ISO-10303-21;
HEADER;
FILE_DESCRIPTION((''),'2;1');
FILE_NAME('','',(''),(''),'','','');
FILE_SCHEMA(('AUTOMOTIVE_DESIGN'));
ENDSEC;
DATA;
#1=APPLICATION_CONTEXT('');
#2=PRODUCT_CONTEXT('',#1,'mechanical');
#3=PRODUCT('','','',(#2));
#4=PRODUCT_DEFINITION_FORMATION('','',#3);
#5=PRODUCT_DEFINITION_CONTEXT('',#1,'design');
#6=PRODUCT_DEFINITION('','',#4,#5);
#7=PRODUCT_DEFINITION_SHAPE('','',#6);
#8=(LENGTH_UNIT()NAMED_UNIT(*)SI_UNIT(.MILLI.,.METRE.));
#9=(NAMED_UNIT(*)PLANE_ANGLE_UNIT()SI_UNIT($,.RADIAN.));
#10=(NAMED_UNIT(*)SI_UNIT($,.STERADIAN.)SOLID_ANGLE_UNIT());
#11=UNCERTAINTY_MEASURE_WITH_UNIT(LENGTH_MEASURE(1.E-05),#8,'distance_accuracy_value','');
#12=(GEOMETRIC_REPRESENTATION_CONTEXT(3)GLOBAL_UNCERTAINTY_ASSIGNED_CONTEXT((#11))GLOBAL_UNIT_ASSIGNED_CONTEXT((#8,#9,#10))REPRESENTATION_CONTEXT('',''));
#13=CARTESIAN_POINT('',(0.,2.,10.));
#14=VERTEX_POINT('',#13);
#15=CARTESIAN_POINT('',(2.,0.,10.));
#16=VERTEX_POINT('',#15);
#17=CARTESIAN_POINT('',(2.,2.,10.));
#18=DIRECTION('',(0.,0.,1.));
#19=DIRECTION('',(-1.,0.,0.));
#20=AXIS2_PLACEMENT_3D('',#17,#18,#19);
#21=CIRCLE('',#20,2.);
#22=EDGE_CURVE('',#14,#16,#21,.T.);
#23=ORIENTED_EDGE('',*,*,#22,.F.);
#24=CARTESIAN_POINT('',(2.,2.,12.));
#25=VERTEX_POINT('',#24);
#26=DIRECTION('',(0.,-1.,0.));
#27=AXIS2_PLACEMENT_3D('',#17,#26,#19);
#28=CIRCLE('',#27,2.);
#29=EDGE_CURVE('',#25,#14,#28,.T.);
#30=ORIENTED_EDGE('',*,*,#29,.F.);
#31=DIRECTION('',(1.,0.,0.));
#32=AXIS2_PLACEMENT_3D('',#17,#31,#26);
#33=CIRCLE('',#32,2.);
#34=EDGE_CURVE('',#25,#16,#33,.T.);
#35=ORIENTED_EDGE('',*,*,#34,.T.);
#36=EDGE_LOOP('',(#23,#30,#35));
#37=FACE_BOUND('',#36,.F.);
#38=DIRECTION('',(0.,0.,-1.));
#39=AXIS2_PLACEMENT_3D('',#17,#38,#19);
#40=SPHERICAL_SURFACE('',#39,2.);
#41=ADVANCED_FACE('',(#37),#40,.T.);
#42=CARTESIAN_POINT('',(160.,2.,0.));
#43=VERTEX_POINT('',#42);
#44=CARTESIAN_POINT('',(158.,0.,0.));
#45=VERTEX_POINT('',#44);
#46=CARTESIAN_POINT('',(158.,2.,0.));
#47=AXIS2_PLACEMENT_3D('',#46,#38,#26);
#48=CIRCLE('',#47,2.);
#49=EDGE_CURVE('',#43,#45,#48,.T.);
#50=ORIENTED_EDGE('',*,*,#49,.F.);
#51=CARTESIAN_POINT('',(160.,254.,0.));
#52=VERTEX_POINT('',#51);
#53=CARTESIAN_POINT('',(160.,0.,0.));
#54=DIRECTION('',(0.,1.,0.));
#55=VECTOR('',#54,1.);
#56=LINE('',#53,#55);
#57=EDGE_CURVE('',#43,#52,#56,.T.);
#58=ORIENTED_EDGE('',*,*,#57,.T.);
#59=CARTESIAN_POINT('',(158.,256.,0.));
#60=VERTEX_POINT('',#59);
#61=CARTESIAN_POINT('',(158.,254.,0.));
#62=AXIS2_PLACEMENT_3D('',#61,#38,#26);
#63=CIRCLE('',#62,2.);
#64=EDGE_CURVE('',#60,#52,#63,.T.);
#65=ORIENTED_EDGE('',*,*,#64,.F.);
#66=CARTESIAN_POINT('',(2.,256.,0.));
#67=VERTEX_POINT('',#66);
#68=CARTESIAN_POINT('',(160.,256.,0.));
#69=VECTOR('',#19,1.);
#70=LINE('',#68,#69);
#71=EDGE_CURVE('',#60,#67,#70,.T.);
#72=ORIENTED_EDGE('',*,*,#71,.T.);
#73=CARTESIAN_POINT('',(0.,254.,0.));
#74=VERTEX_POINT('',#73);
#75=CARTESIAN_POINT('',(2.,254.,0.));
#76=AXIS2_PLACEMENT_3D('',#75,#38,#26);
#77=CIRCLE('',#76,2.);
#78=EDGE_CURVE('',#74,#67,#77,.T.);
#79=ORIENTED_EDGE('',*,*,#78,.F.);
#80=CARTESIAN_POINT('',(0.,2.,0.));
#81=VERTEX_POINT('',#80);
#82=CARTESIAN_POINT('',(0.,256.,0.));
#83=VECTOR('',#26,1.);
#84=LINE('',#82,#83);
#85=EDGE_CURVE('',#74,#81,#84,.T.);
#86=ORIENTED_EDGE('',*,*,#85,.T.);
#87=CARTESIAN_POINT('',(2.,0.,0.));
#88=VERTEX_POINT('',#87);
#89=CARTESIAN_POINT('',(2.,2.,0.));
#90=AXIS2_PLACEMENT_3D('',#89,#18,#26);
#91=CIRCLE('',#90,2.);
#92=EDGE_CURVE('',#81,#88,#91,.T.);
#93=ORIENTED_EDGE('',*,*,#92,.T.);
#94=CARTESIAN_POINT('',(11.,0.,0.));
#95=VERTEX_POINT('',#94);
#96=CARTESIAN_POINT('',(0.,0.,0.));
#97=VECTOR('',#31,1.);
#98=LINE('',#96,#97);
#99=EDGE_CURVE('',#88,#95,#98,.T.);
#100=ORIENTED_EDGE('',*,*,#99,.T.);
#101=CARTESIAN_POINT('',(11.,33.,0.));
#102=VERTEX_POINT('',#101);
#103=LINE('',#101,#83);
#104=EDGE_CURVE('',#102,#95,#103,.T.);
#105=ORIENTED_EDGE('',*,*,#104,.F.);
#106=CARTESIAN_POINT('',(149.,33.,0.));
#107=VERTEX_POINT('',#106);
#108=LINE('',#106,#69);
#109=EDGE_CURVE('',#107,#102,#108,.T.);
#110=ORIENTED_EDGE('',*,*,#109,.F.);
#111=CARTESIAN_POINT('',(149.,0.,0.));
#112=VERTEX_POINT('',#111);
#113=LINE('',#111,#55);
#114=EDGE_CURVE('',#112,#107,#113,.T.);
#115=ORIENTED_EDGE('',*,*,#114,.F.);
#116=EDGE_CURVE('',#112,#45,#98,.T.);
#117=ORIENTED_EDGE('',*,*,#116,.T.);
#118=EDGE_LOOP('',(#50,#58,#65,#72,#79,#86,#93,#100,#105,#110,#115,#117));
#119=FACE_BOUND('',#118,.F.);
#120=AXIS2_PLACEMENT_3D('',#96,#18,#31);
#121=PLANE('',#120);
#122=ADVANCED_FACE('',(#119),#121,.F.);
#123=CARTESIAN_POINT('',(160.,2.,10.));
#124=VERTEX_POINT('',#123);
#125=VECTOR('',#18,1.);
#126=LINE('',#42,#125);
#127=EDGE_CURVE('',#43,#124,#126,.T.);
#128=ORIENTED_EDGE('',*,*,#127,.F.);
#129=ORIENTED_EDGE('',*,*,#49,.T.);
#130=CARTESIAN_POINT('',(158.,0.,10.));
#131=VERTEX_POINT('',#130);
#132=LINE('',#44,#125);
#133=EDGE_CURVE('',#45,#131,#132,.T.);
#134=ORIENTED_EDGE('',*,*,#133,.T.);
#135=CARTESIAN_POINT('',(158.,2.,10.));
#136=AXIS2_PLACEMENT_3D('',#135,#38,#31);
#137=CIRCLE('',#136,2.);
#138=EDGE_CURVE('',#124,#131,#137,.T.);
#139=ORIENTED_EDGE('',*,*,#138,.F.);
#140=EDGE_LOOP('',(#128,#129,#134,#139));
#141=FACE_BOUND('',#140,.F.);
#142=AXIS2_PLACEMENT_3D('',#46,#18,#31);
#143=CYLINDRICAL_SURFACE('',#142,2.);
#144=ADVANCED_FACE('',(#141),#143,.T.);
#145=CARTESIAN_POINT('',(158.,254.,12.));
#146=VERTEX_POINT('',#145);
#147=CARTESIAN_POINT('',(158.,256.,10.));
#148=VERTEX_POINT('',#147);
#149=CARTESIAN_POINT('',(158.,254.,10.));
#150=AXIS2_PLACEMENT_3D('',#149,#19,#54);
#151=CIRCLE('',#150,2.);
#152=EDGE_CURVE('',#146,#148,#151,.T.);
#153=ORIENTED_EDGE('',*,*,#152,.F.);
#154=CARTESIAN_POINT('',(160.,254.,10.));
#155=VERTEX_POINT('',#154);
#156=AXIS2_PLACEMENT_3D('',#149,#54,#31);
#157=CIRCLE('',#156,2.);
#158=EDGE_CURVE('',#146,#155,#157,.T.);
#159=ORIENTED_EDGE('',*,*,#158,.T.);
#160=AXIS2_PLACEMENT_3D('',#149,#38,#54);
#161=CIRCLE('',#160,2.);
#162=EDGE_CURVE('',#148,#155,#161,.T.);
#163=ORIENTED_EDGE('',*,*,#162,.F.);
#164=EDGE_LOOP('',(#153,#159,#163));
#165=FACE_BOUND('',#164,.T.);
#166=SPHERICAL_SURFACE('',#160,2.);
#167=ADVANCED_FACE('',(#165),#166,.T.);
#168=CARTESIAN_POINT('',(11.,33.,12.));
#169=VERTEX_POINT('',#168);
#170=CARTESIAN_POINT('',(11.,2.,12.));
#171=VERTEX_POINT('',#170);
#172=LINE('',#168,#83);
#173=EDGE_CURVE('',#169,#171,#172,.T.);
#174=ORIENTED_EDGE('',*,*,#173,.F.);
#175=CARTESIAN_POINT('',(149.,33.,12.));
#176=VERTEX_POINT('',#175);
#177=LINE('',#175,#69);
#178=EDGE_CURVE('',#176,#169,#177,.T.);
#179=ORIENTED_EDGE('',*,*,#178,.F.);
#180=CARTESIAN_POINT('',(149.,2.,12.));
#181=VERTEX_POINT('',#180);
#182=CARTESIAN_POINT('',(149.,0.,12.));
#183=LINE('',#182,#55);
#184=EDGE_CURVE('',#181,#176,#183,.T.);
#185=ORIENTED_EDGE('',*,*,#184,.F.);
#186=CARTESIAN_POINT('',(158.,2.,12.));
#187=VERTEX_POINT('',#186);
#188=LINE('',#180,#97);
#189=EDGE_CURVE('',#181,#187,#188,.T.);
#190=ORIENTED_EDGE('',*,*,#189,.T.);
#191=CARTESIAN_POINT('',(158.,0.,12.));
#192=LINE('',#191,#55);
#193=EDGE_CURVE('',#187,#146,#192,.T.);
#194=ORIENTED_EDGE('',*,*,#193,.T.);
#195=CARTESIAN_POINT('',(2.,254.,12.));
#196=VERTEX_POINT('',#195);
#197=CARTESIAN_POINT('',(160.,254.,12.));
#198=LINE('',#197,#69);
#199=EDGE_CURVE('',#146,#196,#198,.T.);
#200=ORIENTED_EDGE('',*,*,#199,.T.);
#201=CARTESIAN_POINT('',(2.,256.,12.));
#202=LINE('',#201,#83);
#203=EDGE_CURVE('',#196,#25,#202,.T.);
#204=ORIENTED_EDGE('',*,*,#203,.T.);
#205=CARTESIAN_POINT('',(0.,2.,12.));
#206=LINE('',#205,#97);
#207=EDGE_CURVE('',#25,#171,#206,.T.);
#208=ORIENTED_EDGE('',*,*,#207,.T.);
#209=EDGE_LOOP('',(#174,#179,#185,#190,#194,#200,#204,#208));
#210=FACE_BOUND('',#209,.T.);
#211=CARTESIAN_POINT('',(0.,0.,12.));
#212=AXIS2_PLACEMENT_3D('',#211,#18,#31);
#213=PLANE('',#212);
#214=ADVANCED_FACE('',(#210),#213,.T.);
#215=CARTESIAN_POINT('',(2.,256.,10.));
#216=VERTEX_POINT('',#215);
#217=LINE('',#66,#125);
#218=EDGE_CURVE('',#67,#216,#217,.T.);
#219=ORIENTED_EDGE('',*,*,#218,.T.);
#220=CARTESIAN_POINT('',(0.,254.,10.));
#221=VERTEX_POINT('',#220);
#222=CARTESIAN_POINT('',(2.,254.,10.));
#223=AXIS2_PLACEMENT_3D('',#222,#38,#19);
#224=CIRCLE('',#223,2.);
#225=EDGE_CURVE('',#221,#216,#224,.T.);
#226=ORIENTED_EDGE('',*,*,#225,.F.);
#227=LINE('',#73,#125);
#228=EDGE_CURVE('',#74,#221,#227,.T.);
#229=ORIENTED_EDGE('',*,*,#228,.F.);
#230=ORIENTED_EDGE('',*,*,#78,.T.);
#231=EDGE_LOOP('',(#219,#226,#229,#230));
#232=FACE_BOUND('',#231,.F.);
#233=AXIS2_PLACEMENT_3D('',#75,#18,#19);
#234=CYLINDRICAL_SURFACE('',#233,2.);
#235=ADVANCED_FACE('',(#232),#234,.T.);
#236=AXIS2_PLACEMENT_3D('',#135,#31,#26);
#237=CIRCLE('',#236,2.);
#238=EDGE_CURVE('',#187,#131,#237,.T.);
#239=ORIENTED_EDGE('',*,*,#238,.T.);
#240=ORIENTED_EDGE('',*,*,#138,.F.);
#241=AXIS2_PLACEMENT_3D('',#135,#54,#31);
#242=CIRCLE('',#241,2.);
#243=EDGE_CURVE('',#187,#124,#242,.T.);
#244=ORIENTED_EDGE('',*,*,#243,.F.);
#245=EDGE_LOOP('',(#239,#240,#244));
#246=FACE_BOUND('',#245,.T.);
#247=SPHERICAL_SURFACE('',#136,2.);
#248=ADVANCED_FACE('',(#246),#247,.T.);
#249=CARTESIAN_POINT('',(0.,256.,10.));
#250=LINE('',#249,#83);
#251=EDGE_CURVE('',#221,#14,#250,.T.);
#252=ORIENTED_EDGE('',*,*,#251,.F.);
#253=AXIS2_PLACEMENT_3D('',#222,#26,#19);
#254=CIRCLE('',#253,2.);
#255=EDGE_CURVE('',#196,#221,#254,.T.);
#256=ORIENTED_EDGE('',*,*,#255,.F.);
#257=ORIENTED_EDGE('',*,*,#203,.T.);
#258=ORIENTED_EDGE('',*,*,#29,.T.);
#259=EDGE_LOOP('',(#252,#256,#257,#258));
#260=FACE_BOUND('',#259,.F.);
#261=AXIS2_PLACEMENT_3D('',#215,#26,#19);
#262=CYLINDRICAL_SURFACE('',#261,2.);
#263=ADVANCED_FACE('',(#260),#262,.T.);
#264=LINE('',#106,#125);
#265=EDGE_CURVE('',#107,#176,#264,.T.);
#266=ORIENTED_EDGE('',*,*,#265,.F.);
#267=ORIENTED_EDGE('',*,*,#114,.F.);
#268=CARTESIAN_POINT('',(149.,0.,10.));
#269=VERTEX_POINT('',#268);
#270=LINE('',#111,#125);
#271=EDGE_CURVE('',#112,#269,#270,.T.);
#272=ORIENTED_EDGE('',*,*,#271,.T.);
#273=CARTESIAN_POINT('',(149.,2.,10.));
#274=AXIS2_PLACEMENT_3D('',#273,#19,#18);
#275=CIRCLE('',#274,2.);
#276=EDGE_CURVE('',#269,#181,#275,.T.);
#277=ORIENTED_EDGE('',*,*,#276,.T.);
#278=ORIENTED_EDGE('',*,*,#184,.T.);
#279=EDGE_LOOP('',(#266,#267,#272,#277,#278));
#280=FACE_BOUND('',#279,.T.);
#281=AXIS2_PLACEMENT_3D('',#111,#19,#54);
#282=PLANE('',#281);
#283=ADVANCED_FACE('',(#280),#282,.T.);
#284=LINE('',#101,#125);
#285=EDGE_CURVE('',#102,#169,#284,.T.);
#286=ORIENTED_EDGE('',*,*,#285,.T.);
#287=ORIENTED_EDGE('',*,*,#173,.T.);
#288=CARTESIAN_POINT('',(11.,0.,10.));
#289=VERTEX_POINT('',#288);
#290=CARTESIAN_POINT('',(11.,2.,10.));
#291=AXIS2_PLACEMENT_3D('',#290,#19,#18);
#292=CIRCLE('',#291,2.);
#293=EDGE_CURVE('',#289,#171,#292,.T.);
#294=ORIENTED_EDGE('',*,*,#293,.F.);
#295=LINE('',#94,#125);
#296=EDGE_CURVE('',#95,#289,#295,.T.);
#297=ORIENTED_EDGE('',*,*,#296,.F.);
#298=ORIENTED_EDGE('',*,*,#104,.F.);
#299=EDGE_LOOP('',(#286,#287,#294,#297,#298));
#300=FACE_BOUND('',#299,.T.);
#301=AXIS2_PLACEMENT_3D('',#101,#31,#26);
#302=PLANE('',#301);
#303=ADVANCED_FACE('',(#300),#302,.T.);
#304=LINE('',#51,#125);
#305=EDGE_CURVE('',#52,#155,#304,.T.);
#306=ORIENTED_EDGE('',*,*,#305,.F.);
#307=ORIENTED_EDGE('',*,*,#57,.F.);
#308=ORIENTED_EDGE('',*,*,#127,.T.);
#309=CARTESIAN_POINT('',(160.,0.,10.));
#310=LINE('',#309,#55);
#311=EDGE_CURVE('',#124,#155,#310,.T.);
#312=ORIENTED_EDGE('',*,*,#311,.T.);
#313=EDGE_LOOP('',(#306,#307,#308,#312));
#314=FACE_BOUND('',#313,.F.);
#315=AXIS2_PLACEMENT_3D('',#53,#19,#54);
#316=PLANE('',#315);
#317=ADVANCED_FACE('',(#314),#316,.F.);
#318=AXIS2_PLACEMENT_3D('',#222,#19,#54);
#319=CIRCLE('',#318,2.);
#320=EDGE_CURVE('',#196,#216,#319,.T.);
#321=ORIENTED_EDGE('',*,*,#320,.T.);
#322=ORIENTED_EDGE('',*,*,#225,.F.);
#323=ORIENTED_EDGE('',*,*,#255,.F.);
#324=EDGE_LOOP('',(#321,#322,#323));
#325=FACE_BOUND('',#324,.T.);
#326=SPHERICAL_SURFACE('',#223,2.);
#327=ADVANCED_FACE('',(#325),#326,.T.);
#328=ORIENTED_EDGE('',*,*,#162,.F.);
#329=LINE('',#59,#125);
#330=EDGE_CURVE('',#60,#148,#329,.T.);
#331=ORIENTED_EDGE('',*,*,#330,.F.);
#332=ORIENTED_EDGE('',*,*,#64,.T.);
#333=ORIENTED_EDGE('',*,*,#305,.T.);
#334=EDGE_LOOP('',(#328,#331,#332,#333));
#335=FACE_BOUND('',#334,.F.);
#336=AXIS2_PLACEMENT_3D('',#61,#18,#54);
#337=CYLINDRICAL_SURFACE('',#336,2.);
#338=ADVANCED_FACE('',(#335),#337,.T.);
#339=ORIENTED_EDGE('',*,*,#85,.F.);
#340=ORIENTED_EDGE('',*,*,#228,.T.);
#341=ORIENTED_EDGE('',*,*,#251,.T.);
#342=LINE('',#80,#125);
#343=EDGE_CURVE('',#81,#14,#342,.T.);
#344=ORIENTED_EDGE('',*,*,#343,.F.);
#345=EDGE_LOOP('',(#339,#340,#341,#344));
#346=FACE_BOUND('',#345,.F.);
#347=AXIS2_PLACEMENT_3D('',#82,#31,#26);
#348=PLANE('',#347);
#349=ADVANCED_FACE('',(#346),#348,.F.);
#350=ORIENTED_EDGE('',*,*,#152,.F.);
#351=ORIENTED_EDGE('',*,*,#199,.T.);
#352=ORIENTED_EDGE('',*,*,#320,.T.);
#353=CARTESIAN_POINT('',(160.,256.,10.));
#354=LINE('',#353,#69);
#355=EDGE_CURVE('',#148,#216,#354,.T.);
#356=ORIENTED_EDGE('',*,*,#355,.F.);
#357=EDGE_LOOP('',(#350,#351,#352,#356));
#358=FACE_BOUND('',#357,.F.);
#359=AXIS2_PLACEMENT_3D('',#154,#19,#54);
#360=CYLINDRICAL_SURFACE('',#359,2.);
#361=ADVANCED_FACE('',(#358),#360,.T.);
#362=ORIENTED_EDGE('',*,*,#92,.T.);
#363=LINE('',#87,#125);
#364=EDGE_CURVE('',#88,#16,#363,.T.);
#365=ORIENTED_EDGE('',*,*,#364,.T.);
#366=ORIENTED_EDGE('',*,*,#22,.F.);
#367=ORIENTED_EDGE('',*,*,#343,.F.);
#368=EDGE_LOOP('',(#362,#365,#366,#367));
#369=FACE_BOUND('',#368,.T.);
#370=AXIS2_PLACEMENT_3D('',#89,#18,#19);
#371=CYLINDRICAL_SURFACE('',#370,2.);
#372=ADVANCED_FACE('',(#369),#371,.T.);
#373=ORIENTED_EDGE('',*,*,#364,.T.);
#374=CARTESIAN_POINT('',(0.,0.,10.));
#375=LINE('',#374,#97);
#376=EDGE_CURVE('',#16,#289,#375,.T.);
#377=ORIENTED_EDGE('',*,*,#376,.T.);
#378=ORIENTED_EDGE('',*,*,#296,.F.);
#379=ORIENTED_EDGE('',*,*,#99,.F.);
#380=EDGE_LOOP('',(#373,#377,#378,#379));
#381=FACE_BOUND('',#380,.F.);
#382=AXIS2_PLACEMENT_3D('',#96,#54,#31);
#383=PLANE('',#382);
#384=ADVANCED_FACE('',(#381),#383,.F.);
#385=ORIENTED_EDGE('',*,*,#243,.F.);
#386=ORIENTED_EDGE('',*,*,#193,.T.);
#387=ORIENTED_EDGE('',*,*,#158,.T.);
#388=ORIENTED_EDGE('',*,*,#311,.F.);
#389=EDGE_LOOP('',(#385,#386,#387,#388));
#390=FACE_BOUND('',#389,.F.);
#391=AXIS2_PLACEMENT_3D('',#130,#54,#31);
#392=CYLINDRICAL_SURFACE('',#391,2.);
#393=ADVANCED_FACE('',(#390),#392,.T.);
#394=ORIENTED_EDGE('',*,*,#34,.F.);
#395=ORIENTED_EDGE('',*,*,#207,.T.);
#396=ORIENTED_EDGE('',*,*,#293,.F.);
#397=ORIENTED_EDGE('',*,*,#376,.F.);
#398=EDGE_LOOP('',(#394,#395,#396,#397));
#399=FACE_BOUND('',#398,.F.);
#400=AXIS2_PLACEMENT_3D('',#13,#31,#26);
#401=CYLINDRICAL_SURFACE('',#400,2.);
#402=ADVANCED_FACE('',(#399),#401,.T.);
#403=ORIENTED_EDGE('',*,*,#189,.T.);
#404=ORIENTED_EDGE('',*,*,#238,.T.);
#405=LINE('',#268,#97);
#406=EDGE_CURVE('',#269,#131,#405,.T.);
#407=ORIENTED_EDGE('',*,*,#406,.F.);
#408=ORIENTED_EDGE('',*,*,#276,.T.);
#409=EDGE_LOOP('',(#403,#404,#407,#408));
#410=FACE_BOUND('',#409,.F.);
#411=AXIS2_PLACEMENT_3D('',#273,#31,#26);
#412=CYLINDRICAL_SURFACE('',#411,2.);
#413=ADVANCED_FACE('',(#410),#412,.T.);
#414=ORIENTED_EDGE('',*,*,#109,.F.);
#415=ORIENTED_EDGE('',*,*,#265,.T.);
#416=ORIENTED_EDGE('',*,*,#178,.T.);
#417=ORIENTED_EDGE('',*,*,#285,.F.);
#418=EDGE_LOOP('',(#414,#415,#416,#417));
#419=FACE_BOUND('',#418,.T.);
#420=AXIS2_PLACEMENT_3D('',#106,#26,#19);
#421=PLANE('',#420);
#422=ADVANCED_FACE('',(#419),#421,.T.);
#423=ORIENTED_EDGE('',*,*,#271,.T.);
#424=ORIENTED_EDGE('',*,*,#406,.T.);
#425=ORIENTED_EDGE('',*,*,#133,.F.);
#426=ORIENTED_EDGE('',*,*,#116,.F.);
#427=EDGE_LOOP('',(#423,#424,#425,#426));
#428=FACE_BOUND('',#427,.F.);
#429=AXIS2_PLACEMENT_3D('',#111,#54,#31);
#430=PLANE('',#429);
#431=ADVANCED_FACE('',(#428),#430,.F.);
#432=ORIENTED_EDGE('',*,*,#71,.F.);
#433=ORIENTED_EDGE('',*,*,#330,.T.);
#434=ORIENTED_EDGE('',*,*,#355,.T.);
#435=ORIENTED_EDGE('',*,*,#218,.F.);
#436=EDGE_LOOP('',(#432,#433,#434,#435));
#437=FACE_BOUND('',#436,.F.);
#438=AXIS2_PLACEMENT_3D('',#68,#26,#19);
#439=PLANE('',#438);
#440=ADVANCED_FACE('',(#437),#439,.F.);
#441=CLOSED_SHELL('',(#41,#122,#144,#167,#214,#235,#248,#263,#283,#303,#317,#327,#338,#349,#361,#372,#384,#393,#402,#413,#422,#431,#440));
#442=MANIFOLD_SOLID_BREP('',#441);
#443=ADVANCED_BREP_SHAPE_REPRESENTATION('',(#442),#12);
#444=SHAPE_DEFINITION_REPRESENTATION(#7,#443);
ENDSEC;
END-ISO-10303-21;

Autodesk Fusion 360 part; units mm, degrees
sketch "Top Plate" plane through (0, 0, 0) normal (0, 0, 1) x (1, 0, 0)
  line L0 (0, 0) -> (160, 0)
  line L1 (160, 0) -> (160, 256)
  line L2 (160, 256) -> (0, 256)
  line L3 (0, 256) -> (0, 0)
  line L4 (11, 0) -> (149, 0)
  line L5 (149, 0) -> (149, 33)
  line L6 (149, 33) -> (11, 33)
  line L7 (11, 33) -> (11, 0)
  dimension "d4" = 160
  dimension "d5" = 256
  dimension "d12" = 33
  dimension "d14" = 11
  dimension "d15" = 11
extrude "Extrude1" add sketch "Top Plate" along normal blind 12 contours L0 L1 L2 L3 L5 L6 L7
fillet "Fillet2" radius 2 9 edges at (0, 0, 6) (160, 0, 6) (160, 256, 6) (0, 256, 6) (0, 128, 12) (80, 256, 12) (160, 128, 12) (5.5, 0, 12) (154.5, 0, 12)
equation "block_size = 16 mm" comment "The size of the blocks used for the dimensions of the Minecraft Pig."
equation "fillet_radius = 2 mm" comment "The radius of the fillets applied to the Top Plate."
equation "pine_thickness = 12 mm" comment "The thickness of the pine boards used for the Minecraft Pig's body."
equation "d4 = 10 * block_size"
equation "d5 = 16 * block_size"
equation "d6 = pine_thickness"
equation "tolerance = 1 mm" comment "The tolerance to add to the cutaway for the Minecraft Pig's face."
equation "cutaway_length = 2 * block_size + tolerance" comment "The length of the cutaway for the Minecraft Pig's face."
equation "d12 = cutaway_length"
equation "cutaway_side_width = pine_thickness - tolerance" comment "The width of the wood at the size of the cutaway for the Minecraft Pig's face."
equation "d14 = cutaway_side_width"
equation "d15 = cutaway_side_width"
equation "d17 = fillet_radius"
